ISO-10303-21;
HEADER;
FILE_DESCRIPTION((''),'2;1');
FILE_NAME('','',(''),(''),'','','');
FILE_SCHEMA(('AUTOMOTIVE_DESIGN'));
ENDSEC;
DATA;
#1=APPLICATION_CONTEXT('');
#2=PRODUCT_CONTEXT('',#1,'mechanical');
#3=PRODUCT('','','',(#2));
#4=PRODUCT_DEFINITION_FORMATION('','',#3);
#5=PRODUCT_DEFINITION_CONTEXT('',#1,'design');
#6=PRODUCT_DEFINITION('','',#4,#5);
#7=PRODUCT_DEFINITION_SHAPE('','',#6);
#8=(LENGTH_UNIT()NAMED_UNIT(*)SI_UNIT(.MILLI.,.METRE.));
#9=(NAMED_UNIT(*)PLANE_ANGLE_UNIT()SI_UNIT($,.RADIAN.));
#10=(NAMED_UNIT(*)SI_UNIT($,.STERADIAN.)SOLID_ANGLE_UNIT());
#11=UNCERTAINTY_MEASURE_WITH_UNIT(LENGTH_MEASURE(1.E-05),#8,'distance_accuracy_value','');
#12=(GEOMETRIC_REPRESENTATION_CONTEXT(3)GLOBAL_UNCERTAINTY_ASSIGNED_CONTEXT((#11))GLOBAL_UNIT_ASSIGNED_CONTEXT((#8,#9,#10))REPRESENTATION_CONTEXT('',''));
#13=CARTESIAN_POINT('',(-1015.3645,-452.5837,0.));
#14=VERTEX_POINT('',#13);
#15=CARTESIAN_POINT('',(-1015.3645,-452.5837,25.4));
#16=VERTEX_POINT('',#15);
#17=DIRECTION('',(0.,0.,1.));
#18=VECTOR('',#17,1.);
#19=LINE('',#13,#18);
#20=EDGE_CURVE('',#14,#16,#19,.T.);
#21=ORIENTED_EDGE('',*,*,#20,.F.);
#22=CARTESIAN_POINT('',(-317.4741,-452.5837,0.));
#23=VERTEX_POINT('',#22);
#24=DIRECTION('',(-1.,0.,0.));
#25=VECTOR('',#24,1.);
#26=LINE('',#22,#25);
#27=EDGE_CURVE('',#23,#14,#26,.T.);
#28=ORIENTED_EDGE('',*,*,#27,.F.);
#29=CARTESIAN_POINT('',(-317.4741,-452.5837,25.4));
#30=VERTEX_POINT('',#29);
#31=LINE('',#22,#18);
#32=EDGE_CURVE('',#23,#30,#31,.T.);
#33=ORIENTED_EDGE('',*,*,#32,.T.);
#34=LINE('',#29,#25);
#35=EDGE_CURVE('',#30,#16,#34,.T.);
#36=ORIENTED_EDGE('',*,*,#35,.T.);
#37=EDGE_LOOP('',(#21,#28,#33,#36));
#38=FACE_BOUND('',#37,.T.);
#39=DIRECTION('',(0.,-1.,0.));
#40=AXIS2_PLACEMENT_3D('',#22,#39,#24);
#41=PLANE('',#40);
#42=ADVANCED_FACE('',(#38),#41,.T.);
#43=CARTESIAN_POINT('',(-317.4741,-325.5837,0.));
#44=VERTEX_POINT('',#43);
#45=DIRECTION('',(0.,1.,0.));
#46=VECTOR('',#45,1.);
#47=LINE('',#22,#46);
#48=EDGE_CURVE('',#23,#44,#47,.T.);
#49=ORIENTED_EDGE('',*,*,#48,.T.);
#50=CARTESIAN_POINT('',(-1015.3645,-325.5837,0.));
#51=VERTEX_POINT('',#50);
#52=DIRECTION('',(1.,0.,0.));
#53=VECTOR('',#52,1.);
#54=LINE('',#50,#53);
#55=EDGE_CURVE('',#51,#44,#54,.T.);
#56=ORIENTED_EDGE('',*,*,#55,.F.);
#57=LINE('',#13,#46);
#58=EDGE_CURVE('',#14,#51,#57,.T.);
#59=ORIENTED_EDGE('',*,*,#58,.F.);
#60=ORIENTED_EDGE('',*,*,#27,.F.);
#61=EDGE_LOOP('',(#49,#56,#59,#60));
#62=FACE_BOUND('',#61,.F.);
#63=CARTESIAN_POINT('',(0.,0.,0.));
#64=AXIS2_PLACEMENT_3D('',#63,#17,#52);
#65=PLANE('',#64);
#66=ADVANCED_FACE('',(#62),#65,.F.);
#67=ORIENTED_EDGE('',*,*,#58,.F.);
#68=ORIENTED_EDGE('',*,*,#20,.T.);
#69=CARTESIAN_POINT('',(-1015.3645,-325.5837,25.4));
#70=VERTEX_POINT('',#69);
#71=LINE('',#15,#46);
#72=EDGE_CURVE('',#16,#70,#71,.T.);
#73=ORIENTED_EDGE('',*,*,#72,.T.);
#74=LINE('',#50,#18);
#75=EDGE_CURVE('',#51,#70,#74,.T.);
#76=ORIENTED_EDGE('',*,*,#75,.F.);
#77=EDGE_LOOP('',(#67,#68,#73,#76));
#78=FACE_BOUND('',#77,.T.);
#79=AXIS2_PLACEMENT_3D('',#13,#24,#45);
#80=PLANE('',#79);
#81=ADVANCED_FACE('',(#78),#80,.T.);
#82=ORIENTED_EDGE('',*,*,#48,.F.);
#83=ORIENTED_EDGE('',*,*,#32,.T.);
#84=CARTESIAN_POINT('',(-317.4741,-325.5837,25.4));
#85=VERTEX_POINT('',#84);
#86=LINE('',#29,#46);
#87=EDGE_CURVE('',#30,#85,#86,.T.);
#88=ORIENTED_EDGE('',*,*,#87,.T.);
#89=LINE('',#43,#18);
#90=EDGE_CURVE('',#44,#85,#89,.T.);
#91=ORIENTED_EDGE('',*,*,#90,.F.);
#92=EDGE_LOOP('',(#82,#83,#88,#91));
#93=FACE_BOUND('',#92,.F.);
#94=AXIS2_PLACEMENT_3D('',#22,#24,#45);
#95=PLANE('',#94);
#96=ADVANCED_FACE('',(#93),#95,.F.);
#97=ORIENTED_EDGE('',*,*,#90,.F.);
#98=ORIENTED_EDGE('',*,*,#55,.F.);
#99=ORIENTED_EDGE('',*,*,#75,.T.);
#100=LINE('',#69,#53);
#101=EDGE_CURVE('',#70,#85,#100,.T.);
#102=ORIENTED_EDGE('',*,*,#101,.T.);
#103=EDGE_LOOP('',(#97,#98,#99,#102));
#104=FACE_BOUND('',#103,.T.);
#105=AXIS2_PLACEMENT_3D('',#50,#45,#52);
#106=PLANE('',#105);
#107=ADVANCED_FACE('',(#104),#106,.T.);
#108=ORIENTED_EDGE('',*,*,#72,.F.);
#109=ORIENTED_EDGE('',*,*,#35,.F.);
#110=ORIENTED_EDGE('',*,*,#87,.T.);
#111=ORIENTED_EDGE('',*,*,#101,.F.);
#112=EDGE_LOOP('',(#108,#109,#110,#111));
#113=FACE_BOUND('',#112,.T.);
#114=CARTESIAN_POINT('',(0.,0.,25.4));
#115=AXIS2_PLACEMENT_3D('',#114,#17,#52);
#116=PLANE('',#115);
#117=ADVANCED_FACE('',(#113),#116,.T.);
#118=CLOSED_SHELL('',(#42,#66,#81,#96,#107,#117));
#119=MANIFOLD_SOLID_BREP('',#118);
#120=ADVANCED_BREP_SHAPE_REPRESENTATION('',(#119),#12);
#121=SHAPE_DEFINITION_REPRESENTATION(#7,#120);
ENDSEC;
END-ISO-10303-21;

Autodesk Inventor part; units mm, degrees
ref_plane "YZ Plane" through (0, 0, 0) normal (1, 0, 0) x (0, 1, 0)
ref_plane "XZ Plane" through (0, 0, 0) normal (0, 1, 0) x (-1, 0, 0)
ref_plane "XY Plane" through (0, 0, 0) normal (0, 0, 1) x (1, 0, 0)
sketch "Sketch1" plane through (0, 0, 0) normal (0, 0, 1) x (1, 0, 0)
  line L0 (-1015.3645, -325.5837) -> (-298.4241, -325.5837) projected
  line L1 (-298.4241, -325.5837) -> (-298.4241, -306.5337) projected
  line L2 (-298.4241, -306.5337) -> (-1015.3645, -306.5337) projected
  line L3 (-1015.3645, -306.5337) -> (-1015.3645, -325.5837) projected
  line L4 (-789.3945, -443.9607) -> (-694.1445, -443.9607) projected
  line L5 (-1015.3645, -325.5837) -> (-317.4741, -325.5837)
  line L6 (-317.4741, -452.5837) -> (-1015.3645, -452.5837)
  line L7 (-1015.3645, -452.5837) -> (-1015.3645, -325.5837)
  line L8 (-317.4741, -452.5837) -> (-317.4741, -325.5837)
  point P0 (0, 0)
  dimension "d2" = 716.9404
  dimension "d4" = 127
extrude "Extrusion1" add sketch "Sketch1" along normal blind 25.4 contours L0 L8 L6 L7
properties part number "Wheel mounting side part"
